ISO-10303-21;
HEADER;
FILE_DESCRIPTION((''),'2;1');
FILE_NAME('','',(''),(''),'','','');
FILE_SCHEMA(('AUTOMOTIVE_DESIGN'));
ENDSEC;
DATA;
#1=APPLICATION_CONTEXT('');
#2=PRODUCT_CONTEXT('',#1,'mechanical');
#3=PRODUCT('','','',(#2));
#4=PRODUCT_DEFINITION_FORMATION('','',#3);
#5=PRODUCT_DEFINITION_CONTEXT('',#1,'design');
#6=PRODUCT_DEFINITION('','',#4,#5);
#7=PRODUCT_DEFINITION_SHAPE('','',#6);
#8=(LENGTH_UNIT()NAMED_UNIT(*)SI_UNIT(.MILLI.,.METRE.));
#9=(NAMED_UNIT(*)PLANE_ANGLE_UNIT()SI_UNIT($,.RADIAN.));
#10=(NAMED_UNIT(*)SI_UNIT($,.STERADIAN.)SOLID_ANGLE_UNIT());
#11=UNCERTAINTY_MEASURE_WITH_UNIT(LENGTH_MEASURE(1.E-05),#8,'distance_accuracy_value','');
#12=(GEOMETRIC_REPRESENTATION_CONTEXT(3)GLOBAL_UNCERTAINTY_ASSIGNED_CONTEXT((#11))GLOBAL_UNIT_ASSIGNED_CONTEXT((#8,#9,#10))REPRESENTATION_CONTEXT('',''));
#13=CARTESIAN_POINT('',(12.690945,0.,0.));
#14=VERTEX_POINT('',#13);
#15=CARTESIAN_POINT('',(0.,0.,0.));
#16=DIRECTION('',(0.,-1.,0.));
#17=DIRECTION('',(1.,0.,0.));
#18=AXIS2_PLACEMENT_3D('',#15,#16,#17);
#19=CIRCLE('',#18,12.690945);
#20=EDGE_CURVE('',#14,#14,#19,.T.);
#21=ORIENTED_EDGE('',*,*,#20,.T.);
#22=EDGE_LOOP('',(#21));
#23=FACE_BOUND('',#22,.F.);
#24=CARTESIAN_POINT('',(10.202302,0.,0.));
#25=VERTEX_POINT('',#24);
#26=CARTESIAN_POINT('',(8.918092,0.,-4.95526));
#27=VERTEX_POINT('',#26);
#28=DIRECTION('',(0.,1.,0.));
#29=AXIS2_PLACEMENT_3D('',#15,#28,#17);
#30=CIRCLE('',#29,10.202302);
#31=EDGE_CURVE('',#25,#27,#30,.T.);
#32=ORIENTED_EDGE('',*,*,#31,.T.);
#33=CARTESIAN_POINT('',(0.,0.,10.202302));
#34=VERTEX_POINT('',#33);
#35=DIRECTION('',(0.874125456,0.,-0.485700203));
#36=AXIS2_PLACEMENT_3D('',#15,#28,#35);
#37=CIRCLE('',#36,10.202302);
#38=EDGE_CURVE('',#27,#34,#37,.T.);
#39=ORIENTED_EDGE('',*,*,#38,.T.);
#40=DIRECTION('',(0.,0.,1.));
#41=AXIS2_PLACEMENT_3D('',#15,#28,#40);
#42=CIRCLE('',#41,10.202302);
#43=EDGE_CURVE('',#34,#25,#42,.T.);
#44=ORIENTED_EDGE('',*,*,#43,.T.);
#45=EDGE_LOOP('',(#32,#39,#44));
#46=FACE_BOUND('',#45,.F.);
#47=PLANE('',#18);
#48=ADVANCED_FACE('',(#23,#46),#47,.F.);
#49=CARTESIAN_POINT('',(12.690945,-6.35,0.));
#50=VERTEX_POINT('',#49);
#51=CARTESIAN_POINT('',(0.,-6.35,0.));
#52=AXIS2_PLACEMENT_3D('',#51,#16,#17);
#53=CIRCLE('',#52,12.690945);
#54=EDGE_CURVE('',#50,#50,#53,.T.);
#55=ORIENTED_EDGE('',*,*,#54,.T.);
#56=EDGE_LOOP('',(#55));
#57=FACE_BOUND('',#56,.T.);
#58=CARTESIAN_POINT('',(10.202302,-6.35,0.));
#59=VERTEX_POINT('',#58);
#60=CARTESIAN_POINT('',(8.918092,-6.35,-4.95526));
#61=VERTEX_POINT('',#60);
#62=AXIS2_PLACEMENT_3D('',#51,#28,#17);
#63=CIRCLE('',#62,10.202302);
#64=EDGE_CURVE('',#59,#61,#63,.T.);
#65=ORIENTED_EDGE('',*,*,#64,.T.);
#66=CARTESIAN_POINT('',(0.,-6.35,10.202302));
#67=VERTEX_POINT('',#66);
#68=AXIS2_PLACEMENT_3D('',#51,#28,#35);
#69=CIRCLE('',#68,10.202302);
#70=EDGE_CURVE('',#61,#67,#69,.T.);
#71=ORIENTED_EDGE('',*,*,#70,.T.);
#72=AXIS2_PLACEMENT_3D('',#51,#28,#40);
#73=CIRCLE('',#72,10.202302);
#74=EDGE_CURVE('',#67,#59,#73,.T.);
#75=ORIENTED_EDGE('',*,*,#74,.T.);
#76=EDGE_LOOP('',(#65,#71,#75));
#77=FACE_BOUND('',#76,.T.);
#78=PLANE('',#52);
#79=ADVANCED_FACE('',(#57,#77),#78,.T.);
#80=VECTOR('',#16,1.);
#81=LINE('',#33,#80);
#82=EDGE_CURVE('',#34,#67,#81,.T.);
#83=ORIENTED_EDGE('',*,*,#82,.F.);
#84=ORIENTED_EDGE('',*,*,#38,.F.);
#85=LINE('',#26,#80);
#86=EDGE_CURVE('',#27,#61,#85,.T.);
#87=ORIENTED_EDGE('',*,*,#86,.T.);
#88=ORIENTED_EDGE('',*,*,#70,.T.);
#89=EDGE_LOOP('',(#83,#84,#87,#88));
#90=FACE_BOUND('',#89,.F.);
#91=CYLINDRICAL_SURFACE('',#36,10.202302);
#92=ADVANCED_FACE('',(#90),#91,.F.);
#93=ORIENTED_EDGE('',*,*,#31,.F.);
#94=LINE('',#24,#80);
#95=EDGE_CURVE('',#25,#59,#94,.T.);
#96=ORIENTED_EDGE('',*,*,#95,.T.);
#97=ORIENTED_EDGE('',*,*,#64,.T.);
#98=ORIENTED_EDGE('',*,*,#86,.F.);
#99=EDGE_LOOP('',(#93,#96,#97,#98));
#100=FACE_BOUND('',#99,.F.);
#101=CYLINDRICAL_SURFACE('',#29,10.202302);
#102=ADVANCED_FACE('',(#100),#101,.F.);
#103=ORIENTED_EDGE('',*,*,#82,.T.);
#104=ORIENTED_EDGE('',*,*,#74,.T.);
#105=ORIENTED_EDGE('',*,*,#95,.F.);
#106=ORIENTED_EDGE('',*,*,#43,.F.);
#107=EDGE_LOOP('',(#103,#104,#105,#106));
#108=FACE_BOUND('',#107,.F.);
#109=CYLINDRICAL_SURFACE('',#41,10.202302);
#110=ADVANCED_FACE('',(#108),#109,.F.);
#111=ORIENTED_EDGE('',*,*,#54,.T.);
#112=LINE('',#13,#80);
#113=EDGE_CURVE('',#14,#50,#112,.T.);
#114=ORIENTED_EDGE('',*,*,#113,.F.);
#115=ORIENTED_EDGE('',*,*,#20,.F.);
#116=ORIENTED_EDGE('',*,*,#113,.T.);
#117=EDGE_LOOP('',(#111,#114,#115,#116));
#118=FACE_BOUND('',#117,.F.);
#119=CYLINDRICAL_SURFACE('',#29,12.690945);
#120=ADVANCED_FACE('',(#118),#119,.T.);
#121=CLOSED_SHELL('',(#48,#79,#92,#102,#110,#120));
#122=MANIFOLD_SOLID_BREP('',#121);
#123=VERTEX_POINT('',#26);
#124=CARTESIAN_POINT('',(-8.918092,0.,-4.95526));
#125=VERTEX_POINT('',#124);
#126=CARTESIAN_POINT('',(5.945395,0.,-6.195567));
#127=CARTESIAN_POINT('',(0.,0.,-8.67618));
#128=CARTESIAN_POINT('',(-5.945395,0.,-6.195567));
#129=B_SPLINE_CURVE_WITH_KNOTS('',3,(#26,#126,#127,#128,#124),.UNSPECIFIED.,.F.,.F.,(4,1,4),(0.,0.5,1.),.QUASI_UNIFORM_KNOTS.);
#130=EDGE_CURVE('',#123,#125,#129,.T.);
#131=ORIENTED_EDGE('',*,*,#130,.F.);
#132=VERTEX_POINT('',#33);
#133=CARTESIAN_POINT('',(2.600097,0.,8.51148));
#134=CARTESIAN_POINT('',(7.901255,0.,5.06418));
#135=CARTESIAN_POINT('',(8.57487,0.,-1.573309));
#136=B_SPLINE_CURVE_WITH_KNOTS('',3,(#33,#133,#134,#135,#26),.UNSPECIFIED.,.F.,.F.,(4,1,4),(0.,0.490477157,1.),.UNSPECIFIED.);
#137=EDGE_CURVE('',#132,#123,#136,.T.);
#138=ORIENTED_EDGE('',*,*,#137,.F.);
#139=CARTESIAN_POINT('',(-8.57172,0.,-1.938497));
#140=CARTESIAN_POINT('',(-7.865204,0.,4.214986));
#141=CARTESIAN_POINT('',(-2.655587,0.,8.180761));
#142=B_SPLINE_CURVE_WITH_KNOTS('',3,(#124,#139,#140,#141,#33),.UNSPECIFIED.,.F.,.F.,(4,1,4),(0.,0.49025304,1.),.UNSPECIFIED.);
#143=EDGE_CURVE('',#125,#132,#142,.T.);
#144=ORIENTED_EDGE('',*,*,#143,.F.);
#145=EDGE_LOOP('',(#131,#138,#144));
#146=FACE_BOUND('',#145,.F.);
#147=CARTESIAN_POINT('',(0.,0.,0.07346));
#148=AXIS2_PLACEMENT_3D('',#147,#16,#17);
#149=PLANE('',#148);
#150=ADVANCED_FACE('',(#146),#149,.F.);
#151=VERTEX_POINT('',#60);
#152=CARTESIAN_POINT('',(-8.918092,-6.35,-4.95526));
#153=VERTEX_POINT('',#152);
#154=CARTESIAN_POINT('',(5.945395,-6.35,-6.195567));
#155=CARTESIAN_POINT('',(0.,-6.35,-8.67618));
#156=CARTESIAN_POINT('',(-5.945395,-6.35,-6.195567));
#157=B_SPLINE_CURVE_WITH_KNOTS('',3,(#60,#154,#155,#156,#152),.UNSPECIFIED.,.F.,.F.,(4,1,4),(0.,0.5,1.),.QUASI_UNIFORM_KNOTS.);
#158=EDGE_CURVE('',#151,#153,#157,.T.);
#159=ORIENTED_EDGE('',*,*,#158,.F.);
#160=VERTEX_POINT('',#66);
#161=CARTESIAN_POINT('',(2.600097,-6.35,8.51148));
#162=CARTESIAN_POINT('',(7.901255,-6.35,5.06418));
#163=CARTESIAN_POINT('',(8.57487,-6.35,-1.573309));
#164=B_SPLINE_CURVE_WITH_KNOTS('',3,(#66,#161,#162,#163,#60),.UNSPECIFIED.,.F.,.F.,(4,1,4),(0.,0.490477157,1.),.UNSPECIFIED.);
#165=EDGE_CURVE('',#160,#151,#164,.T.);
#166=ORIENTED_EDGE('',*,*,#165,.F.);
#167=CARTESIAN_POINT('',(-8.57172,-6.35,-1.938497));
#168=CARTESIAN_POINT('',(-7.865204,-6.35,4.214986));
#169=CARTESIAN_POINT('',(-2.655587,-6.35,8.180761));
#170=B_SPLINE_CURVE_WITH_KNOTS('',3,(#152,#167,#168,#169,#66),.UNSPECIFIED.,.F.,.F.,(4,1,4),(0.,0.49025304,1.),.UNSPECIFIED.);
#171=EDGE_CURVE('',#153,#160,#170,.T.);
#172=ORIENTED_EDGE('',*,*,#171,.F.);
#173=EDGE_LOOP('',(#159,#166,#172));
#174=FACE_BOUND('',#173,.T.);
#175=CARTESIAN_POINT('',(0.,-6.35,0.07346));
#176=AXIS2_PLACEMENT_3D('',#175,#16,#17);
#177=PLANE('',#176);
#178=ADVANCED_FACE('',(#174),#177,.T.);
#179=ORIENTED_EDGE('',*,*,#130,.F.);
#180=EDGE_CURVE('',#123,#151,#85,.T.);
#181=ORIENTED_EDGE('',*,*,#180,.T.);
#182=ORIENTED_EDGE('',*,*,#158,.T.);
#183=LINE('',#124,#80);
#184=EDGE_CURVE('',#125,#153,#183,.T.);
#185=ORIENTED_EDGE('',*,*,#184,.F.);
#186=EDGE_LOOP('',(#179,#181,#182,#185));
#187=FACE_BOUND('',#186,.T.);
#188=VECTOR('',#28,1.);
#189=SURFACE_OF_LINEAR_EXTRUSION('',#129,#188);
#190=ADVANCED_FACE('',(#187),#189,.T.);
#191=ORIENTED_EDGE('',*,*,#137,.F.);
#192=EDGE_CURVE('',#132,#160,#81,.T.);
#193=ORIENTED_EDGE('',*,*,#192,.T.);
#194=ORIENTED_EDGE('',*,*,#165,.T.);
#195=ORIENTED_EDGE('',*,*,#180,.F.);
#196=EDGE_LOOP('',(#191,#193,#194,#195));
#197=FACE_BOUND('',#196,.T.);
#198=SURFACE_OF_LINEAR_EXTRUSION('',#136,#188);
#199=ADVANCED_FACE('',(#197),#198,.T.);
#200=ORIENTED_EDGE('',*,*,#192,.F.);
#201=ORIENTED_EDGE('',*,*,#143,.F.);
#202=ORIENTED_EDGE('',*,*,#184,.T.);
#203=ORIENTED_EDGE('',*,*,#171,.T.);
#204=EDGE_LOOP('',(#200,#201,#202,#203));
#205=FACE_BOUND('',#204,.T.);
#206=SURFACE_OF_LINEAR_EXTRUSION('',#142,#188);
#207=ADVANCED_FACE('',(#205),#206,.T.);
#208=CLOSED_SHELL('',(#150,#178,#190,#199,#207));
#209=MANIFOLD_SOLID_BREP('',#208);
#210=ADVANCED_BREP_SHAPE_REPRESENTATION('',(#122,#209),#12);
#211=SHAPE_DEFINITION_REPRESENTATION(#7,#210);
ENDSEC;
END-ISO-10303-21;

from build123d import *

# Parameters (mm, degrees)
F0_R     = 12.6909451001
F1_DEPTH = 6.35


with BuildPart() as f1:
    # F0 (on Front) → F1 (new body)
    with BuildSketch(Plane.XZ):
        Circle(F0_R)
        with BuildLine():
            ThreePointArc((0, 10.202302307), (7.214117145, 7.214117145), (10.202302307, 0))
            ThreePointArc((10.202302307, 0), (9.8760327191, -2.5594823884), (8.9180921554, -4.9552603031))
            ThreePointArc((8.9180921554, -4.9552603031), (0, -10.202302307), (-8.9180921554, -4.9552603031))
            ThreePointArc((-8.9180921554, -4.9552603031), (-8.79323706, 5.1735823537), (0, 10.202302307))
        make_face(mode=Mode.SUBTRACT)
    extrude(amount=F1_DEPTH)


with BuildPart() as f1b:
    # F0 (on Front) → F1, piece 2 (new body)
    with BuildSketch(Plane.XZ):
        Polygon((8.9180921554, -4.9552603031), (0, 10.202302307), (-8.9180921554, -4.9552603031), align=None)
        with BuildLine():
            add(Edge.make_bspline(
                [(0, 10.202302307), (2.6000968364, 8.5114801067), (7.9012546942, 5.0641795031), (8.5748698476, -1.5733085313), (8.9180921554, -4.9552603031)],
                knots=[0, 0, 0, 0, 0.4904771573, 1, 1, 1, 1], degree=3))
            Line((0, 10.202302307), (8.9180921554, -4.9552603031))
        make_face()
        with BuildLine():
            add(Edge.make_bspline(
                [(8.9180921554, -4.9552603031), (5.9453947703, -6.1955669598), (0, -8.6761802732), (-5.9453947703, -6.1955669598), (-8.9180921554, -4.9552603031)],
                knots=[0, 0, 0, 0, 0.5, 1, 1, 1, 1], degree=3))
            Line((8.9180921554, -4.9552603031), (-8.9180921554, -4.9552603031))
        make_face()
        with BuildLine():
            Line((-8.9180921554, -4.9552603031), (0, 10.202302307))
            add(Edge.make_bspline(
                [(-8.9180921554, -4.9552603031), (-8.5717202474, -1.9384966543), (-7.8652036534, 4.2149861439), (-2.6555865042, 8.1807607552), (0, 10.202302307)],
                knots=[0, 0, 0, 0, 0.4902530401, 1, 1, 1, 1], degree=3))
        make_face()
    extrude(amount=F1_DEPTH)


solid = Compound([f1.part, f1b.part])
